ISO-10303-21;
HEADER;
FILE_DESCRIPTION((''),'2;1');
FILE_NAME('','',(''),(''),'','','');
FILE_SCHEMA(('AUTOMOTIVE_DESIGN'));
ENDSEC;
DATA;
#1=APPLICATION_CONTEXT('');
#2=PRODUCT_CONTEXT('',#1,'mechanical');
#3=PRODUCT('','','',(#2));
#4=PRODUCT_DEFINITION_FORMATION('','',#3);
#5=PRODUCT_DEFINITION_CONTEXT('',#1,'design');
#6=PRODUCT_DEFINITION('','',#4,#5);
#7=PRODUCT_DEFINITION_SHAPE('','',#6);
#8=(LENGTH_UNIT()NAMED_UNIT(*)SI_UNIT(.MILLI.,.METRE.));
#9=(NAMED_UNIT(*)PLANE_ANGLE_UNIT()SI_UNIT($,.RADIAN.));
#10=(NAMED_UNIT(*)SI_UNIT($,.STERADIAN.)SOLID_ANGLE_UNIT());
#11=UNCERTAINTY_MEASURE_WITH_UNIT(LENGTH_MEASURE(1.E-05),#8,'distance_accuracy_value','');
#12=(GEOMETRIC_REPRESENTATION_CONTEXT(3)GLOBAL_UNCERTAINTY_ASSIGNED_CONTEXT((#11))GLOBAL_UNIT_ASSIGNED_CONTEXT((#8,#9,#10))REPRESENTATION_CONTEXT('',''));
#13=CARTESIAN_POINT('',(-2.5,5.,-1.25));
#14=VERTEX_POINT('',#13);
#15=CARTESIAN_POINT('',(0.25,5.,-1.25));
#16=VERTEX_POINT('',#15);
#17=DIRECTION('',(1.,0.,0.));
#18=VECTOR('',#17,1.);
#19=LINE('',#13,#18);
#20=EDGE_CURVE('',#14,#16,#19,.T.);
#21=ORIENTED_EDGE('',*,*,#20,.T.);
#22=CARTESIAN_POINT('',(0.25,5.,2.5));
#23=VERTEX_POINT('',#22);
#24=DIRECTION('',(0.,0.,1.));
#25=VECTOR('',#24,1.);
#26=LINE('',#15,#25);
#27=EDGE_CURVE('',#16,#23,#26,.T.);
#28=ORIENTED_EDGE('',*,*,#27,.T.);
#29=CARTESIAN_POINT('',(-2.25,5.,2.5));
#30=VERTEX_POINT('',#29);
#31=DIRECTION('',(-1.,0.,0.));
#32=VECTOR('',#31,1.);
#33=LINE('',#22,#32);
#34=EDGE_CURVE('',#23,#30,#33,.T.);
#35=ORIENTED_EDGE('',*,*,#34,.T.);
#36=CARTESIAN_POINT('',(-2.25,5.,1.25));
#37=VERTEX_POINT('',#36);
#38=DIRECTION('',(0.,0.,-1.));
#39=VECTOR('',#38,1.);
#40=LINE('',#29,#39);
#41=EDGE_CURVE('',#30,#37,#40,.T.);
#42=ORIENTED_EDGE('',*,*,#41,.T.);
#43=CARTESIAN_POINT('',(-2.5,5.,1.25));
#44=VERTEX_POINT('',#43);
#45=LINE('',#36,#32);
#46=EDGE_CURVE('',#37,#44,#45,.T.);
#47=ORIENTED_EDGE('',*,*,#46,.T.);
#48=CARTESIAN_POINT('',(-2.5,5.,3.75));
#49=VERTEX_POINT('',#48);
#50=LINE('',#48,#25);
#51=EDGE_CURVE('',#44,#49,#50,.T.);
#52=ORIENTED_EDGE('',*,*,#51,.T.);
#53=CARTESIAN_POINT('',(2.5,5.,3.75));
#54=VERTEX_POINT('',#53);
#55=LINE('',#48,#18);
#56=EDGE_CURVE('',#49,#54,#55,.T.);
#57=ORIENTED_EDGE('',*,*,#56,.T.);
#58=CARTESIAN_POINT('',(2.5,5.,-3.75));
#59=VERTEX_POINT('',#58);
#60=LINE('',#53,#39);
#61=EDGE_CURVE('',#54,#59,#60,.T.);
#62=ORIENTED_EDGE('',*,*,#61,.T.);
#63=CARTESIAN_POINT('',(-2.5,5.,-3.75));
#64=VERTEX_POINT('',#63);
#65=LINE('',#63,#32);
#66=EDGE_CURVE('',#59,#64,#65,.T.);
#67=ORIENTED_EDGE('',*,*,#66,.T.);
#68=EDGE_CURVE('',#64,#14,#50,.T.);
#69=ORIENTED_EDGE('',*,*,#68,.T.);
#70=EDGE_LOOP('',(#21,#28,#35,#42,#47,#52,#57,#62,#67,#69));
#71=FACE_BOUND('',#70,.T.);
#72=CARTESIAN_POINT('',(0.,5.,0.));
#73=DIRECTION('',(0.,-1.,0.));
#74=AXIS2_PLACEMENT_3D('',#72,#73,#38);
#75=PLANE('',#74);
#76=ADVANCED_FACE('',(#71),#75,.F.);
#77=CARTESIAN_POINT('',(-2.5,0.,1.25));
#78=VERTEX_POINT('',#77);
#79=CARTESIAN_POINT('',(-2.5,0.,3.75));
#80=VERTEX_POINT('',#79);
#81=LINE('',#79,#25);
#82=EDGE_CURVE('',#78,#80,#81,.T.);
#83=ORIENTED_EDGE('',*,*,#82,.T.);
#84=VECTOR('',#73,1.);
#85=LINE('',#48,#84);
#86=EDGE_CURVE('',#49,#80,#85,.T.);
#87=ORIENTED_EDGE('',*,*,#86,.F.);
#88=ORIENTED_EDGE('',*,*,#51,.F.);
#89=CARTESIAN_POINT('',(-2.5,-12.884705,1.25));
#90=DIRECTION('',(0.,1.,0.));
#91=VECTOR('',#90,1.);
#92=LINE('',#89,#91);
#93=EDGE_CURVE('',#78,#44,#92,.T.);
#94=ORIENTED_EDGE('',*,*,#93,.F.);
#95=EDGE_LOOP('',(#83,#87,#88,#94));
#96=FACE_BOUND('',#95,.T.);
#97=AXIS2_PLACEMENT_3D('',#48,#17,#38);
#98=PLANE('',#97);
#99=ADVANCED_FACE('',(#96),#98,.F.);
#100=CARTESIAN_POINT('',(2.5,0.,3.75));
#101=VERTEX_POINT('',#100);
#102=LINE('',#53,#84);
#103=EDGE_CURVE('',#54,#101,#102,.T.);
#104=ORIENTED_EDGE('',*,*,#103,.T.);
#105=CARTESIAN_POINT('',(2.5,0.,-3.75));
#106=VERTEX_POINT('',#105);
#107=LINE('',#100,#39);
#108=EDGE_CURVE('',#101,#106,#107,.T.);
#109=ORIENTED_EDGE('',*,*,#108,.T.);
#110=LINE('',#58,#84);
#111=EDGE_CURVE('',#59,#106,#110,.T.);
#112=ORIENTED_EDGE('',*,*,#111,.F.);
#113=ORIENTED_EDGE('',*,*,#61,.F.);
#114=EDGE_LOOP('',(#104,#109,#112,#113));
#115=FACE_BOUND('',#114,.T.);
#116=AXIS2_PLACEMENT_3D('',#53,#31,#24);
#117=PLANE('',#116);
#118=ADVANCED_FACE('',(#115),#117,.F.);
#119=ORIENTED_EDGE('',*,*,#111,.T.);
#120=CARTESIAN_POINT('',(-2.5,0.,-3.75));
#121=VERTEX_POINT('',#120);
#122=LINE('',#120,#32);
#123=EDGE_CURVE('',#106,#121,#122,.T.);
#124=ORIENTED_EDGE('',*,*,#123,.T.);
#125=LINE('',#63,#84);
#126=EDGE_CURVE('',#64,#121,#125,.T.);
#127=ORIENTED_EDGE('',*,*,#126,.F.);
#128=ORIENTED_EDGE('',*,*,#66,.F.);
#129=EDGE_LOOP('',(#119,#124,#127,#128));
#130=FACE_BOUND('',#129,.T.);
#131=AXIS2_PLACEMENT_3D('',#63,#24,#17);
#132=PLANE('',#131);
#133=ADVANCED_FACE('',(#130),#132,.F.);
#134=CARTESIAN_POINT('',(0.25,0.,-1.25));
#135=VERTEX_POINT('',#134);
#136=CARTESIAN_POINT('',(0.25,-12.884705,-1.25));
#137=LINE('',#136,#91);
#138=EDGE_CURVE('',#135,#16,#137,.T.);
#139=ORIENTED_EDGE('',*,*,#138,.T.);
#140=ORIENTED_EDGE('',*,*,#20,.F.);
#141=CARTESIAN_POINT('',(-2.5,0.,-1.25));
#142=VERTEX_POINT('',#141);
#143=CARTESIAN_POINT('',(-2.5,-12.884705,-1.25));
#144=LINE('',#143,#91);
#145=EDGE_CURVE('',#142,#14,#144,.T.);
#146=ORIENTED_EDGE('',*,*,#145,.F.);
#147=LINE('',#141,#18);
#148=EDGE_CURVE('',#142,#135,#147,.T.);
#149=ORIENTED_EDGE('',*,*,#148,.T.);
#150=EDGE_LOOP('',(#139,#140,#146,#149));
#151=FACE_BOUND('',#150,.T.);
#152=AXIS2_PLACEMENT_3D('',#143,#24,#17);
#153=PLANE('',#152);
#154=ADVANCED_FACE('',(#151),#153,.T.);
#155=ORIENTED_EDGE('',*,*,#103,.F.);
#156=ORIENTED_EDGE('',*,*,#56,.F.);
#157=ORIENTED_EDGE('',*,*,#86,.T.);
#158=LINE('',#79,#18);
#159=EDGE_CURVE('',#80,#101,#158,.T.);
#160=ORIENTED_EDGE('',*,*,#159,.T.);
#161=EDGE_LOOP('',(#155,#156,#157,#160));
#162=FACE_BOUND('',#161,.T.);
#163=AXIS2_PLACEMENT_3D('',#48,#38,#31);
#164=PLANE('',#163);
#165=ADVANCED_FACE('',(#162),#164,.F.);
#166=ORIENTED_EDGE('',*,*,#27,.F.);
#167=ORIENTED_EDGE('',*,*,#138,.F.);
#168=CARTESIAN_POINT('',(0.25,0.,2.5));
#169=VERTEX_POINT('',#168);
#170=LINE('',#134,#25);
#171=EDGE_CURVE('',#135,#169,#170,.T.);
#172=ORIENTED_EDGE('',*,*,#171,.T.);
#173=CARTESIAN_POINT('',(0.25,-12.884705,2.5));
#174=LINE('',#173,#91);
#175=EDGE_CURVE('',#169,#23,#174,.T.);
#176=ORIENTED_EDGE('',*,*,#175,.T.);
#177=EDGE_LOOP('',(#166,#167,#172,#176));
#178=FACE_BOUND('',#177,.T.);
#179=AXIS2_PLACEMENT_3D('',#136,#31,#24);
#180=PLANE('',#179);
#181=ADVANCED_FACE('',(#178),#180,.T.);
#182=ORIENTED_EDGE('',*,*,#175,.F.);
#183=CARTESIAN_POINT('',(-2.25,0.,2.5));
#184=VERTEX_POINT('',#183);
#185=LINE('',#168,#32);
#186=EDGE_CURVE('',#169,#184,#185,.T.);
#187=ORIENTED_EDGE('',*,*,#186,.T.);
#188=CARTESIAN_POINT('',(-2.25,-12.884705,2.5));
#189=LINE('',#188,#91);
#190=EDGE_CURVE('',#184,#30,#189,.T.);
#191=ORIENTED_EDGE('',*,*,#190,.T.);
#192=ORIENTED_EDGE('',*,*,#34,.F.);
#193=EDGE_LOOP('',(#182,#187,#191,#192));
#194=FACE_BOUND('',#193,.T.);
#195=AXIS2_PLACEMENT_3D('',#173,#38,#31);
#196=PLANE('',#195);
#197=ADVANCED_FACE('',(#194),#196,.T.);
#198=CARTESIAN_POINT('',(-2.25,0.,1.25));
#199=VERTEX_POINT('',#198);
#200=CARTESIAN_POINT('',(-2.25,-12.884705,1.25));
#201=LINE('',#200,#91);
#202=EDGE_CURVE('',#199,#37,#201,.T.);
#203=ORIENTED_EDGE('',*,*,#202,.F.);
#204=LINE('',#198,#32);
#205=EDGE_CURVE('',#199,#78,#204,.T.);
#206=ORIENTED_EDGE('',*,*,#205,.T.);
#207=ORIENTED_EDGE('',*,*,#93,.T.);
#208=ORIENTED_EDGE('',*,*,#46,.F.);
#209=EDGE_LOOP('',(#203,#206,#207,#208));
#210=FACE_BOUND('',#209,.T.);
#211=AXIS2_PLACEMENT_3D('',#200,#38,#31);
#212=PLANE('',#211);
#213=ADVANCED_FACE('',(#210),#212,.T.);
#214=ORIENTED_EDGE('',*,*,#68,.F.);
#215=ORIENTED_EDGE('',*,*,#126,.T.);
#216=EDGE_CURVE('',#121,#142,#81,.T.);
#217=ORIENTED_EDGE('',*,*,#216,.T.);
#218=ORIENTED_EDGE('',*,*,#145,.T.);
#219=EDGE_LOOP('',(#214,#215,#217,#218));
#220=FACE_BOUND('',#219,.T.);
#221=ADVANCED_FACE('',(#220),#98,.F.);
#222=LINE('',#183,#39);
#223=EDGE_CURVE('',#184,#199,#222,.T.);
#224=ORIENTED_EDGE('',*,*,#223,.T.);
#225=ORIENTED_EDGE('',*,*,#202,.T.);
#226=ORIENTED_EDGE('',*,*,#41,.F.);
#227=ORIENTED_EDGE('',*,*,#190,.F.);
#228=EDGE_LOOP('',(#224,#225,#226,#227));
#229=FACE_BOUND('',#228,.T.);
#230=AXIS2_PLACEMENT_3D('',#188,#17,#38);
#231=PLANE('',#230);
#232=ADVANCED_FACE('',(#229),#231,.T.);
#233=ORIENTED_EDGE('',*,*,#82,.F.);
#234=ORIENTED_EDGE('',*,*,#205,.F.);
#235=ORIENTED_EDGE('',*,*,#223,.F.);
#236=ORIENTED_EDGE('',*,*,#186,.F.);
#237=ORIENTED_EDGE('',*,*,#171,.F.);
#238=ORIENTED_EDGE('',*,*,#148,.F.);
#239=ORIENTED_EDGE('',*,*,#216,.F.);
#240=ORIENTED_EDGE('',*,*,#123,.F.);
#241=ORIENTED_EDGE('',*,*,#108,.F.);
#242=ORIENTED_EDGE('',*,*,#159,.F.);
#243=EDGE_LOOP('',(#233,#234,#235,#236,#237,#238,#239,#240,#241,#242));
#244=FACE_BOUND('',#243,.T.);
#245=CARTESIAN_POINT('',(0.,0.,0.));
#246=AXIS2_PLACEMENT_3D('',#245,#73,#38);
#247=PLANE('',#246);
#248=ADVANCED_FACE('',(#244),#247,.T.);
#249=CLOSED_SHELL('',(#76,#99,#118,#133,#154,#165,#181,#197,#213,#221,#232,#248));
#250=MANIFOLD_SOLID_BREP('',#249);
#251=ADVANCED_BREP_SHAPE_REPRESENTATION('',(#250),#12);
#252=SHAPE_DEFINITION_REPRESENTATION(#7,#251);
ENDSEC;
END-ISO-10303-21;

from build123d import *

# Parameters (mm, degrees)
SKETCH2_W               = 5
SKETCH2_H               = 7.5
BOSS_EXTRUDE1_DEPTH     = 5
CUT_EXTRUDE1_DEPTH      = 7.731456009
CUT_EXTRUDE1_DEPTH_BACK = 5


with BuildPart() as part:
    # Sketch2 → Boss-Extrude1 (new body)
    with BuildSketch(Plane(origin=(0, 0, 0), x_dir=(1, 0, 0), z_dir=(0, 1, 0))):
        Rectangle(SKETCH2_W, SKETCH2_H)
    extrude(amount=BOSS_EXTRUDE1_DEPTH)

    # Sketch3 → Cut-Extrude1 (cut, two sides: drawn at the far end of the back side and taken through both)
    with BuildSketch(Plane.XZ.offset(-CUT_EXTRUDE1_DEPTH_BACK)):
        Polygon((-26.642135624, -1.25), (-2.5, -1.25), (0.25, -1.25), (0.25, 2.5), (-2.25, 2.5), (-2.25, 1.25), (-2.5, 1.25), (-26.642135624, 1.25), (-74.926406871, 1.25), (-74.926406871, -1.25), align=None)
    extrude(amount=CUT_EXTRUDE1_DEPTH + CUT_EXTRUDE1_DEPTH_BACK, mode=Mode.SUBTRACT)


solid = part.part
